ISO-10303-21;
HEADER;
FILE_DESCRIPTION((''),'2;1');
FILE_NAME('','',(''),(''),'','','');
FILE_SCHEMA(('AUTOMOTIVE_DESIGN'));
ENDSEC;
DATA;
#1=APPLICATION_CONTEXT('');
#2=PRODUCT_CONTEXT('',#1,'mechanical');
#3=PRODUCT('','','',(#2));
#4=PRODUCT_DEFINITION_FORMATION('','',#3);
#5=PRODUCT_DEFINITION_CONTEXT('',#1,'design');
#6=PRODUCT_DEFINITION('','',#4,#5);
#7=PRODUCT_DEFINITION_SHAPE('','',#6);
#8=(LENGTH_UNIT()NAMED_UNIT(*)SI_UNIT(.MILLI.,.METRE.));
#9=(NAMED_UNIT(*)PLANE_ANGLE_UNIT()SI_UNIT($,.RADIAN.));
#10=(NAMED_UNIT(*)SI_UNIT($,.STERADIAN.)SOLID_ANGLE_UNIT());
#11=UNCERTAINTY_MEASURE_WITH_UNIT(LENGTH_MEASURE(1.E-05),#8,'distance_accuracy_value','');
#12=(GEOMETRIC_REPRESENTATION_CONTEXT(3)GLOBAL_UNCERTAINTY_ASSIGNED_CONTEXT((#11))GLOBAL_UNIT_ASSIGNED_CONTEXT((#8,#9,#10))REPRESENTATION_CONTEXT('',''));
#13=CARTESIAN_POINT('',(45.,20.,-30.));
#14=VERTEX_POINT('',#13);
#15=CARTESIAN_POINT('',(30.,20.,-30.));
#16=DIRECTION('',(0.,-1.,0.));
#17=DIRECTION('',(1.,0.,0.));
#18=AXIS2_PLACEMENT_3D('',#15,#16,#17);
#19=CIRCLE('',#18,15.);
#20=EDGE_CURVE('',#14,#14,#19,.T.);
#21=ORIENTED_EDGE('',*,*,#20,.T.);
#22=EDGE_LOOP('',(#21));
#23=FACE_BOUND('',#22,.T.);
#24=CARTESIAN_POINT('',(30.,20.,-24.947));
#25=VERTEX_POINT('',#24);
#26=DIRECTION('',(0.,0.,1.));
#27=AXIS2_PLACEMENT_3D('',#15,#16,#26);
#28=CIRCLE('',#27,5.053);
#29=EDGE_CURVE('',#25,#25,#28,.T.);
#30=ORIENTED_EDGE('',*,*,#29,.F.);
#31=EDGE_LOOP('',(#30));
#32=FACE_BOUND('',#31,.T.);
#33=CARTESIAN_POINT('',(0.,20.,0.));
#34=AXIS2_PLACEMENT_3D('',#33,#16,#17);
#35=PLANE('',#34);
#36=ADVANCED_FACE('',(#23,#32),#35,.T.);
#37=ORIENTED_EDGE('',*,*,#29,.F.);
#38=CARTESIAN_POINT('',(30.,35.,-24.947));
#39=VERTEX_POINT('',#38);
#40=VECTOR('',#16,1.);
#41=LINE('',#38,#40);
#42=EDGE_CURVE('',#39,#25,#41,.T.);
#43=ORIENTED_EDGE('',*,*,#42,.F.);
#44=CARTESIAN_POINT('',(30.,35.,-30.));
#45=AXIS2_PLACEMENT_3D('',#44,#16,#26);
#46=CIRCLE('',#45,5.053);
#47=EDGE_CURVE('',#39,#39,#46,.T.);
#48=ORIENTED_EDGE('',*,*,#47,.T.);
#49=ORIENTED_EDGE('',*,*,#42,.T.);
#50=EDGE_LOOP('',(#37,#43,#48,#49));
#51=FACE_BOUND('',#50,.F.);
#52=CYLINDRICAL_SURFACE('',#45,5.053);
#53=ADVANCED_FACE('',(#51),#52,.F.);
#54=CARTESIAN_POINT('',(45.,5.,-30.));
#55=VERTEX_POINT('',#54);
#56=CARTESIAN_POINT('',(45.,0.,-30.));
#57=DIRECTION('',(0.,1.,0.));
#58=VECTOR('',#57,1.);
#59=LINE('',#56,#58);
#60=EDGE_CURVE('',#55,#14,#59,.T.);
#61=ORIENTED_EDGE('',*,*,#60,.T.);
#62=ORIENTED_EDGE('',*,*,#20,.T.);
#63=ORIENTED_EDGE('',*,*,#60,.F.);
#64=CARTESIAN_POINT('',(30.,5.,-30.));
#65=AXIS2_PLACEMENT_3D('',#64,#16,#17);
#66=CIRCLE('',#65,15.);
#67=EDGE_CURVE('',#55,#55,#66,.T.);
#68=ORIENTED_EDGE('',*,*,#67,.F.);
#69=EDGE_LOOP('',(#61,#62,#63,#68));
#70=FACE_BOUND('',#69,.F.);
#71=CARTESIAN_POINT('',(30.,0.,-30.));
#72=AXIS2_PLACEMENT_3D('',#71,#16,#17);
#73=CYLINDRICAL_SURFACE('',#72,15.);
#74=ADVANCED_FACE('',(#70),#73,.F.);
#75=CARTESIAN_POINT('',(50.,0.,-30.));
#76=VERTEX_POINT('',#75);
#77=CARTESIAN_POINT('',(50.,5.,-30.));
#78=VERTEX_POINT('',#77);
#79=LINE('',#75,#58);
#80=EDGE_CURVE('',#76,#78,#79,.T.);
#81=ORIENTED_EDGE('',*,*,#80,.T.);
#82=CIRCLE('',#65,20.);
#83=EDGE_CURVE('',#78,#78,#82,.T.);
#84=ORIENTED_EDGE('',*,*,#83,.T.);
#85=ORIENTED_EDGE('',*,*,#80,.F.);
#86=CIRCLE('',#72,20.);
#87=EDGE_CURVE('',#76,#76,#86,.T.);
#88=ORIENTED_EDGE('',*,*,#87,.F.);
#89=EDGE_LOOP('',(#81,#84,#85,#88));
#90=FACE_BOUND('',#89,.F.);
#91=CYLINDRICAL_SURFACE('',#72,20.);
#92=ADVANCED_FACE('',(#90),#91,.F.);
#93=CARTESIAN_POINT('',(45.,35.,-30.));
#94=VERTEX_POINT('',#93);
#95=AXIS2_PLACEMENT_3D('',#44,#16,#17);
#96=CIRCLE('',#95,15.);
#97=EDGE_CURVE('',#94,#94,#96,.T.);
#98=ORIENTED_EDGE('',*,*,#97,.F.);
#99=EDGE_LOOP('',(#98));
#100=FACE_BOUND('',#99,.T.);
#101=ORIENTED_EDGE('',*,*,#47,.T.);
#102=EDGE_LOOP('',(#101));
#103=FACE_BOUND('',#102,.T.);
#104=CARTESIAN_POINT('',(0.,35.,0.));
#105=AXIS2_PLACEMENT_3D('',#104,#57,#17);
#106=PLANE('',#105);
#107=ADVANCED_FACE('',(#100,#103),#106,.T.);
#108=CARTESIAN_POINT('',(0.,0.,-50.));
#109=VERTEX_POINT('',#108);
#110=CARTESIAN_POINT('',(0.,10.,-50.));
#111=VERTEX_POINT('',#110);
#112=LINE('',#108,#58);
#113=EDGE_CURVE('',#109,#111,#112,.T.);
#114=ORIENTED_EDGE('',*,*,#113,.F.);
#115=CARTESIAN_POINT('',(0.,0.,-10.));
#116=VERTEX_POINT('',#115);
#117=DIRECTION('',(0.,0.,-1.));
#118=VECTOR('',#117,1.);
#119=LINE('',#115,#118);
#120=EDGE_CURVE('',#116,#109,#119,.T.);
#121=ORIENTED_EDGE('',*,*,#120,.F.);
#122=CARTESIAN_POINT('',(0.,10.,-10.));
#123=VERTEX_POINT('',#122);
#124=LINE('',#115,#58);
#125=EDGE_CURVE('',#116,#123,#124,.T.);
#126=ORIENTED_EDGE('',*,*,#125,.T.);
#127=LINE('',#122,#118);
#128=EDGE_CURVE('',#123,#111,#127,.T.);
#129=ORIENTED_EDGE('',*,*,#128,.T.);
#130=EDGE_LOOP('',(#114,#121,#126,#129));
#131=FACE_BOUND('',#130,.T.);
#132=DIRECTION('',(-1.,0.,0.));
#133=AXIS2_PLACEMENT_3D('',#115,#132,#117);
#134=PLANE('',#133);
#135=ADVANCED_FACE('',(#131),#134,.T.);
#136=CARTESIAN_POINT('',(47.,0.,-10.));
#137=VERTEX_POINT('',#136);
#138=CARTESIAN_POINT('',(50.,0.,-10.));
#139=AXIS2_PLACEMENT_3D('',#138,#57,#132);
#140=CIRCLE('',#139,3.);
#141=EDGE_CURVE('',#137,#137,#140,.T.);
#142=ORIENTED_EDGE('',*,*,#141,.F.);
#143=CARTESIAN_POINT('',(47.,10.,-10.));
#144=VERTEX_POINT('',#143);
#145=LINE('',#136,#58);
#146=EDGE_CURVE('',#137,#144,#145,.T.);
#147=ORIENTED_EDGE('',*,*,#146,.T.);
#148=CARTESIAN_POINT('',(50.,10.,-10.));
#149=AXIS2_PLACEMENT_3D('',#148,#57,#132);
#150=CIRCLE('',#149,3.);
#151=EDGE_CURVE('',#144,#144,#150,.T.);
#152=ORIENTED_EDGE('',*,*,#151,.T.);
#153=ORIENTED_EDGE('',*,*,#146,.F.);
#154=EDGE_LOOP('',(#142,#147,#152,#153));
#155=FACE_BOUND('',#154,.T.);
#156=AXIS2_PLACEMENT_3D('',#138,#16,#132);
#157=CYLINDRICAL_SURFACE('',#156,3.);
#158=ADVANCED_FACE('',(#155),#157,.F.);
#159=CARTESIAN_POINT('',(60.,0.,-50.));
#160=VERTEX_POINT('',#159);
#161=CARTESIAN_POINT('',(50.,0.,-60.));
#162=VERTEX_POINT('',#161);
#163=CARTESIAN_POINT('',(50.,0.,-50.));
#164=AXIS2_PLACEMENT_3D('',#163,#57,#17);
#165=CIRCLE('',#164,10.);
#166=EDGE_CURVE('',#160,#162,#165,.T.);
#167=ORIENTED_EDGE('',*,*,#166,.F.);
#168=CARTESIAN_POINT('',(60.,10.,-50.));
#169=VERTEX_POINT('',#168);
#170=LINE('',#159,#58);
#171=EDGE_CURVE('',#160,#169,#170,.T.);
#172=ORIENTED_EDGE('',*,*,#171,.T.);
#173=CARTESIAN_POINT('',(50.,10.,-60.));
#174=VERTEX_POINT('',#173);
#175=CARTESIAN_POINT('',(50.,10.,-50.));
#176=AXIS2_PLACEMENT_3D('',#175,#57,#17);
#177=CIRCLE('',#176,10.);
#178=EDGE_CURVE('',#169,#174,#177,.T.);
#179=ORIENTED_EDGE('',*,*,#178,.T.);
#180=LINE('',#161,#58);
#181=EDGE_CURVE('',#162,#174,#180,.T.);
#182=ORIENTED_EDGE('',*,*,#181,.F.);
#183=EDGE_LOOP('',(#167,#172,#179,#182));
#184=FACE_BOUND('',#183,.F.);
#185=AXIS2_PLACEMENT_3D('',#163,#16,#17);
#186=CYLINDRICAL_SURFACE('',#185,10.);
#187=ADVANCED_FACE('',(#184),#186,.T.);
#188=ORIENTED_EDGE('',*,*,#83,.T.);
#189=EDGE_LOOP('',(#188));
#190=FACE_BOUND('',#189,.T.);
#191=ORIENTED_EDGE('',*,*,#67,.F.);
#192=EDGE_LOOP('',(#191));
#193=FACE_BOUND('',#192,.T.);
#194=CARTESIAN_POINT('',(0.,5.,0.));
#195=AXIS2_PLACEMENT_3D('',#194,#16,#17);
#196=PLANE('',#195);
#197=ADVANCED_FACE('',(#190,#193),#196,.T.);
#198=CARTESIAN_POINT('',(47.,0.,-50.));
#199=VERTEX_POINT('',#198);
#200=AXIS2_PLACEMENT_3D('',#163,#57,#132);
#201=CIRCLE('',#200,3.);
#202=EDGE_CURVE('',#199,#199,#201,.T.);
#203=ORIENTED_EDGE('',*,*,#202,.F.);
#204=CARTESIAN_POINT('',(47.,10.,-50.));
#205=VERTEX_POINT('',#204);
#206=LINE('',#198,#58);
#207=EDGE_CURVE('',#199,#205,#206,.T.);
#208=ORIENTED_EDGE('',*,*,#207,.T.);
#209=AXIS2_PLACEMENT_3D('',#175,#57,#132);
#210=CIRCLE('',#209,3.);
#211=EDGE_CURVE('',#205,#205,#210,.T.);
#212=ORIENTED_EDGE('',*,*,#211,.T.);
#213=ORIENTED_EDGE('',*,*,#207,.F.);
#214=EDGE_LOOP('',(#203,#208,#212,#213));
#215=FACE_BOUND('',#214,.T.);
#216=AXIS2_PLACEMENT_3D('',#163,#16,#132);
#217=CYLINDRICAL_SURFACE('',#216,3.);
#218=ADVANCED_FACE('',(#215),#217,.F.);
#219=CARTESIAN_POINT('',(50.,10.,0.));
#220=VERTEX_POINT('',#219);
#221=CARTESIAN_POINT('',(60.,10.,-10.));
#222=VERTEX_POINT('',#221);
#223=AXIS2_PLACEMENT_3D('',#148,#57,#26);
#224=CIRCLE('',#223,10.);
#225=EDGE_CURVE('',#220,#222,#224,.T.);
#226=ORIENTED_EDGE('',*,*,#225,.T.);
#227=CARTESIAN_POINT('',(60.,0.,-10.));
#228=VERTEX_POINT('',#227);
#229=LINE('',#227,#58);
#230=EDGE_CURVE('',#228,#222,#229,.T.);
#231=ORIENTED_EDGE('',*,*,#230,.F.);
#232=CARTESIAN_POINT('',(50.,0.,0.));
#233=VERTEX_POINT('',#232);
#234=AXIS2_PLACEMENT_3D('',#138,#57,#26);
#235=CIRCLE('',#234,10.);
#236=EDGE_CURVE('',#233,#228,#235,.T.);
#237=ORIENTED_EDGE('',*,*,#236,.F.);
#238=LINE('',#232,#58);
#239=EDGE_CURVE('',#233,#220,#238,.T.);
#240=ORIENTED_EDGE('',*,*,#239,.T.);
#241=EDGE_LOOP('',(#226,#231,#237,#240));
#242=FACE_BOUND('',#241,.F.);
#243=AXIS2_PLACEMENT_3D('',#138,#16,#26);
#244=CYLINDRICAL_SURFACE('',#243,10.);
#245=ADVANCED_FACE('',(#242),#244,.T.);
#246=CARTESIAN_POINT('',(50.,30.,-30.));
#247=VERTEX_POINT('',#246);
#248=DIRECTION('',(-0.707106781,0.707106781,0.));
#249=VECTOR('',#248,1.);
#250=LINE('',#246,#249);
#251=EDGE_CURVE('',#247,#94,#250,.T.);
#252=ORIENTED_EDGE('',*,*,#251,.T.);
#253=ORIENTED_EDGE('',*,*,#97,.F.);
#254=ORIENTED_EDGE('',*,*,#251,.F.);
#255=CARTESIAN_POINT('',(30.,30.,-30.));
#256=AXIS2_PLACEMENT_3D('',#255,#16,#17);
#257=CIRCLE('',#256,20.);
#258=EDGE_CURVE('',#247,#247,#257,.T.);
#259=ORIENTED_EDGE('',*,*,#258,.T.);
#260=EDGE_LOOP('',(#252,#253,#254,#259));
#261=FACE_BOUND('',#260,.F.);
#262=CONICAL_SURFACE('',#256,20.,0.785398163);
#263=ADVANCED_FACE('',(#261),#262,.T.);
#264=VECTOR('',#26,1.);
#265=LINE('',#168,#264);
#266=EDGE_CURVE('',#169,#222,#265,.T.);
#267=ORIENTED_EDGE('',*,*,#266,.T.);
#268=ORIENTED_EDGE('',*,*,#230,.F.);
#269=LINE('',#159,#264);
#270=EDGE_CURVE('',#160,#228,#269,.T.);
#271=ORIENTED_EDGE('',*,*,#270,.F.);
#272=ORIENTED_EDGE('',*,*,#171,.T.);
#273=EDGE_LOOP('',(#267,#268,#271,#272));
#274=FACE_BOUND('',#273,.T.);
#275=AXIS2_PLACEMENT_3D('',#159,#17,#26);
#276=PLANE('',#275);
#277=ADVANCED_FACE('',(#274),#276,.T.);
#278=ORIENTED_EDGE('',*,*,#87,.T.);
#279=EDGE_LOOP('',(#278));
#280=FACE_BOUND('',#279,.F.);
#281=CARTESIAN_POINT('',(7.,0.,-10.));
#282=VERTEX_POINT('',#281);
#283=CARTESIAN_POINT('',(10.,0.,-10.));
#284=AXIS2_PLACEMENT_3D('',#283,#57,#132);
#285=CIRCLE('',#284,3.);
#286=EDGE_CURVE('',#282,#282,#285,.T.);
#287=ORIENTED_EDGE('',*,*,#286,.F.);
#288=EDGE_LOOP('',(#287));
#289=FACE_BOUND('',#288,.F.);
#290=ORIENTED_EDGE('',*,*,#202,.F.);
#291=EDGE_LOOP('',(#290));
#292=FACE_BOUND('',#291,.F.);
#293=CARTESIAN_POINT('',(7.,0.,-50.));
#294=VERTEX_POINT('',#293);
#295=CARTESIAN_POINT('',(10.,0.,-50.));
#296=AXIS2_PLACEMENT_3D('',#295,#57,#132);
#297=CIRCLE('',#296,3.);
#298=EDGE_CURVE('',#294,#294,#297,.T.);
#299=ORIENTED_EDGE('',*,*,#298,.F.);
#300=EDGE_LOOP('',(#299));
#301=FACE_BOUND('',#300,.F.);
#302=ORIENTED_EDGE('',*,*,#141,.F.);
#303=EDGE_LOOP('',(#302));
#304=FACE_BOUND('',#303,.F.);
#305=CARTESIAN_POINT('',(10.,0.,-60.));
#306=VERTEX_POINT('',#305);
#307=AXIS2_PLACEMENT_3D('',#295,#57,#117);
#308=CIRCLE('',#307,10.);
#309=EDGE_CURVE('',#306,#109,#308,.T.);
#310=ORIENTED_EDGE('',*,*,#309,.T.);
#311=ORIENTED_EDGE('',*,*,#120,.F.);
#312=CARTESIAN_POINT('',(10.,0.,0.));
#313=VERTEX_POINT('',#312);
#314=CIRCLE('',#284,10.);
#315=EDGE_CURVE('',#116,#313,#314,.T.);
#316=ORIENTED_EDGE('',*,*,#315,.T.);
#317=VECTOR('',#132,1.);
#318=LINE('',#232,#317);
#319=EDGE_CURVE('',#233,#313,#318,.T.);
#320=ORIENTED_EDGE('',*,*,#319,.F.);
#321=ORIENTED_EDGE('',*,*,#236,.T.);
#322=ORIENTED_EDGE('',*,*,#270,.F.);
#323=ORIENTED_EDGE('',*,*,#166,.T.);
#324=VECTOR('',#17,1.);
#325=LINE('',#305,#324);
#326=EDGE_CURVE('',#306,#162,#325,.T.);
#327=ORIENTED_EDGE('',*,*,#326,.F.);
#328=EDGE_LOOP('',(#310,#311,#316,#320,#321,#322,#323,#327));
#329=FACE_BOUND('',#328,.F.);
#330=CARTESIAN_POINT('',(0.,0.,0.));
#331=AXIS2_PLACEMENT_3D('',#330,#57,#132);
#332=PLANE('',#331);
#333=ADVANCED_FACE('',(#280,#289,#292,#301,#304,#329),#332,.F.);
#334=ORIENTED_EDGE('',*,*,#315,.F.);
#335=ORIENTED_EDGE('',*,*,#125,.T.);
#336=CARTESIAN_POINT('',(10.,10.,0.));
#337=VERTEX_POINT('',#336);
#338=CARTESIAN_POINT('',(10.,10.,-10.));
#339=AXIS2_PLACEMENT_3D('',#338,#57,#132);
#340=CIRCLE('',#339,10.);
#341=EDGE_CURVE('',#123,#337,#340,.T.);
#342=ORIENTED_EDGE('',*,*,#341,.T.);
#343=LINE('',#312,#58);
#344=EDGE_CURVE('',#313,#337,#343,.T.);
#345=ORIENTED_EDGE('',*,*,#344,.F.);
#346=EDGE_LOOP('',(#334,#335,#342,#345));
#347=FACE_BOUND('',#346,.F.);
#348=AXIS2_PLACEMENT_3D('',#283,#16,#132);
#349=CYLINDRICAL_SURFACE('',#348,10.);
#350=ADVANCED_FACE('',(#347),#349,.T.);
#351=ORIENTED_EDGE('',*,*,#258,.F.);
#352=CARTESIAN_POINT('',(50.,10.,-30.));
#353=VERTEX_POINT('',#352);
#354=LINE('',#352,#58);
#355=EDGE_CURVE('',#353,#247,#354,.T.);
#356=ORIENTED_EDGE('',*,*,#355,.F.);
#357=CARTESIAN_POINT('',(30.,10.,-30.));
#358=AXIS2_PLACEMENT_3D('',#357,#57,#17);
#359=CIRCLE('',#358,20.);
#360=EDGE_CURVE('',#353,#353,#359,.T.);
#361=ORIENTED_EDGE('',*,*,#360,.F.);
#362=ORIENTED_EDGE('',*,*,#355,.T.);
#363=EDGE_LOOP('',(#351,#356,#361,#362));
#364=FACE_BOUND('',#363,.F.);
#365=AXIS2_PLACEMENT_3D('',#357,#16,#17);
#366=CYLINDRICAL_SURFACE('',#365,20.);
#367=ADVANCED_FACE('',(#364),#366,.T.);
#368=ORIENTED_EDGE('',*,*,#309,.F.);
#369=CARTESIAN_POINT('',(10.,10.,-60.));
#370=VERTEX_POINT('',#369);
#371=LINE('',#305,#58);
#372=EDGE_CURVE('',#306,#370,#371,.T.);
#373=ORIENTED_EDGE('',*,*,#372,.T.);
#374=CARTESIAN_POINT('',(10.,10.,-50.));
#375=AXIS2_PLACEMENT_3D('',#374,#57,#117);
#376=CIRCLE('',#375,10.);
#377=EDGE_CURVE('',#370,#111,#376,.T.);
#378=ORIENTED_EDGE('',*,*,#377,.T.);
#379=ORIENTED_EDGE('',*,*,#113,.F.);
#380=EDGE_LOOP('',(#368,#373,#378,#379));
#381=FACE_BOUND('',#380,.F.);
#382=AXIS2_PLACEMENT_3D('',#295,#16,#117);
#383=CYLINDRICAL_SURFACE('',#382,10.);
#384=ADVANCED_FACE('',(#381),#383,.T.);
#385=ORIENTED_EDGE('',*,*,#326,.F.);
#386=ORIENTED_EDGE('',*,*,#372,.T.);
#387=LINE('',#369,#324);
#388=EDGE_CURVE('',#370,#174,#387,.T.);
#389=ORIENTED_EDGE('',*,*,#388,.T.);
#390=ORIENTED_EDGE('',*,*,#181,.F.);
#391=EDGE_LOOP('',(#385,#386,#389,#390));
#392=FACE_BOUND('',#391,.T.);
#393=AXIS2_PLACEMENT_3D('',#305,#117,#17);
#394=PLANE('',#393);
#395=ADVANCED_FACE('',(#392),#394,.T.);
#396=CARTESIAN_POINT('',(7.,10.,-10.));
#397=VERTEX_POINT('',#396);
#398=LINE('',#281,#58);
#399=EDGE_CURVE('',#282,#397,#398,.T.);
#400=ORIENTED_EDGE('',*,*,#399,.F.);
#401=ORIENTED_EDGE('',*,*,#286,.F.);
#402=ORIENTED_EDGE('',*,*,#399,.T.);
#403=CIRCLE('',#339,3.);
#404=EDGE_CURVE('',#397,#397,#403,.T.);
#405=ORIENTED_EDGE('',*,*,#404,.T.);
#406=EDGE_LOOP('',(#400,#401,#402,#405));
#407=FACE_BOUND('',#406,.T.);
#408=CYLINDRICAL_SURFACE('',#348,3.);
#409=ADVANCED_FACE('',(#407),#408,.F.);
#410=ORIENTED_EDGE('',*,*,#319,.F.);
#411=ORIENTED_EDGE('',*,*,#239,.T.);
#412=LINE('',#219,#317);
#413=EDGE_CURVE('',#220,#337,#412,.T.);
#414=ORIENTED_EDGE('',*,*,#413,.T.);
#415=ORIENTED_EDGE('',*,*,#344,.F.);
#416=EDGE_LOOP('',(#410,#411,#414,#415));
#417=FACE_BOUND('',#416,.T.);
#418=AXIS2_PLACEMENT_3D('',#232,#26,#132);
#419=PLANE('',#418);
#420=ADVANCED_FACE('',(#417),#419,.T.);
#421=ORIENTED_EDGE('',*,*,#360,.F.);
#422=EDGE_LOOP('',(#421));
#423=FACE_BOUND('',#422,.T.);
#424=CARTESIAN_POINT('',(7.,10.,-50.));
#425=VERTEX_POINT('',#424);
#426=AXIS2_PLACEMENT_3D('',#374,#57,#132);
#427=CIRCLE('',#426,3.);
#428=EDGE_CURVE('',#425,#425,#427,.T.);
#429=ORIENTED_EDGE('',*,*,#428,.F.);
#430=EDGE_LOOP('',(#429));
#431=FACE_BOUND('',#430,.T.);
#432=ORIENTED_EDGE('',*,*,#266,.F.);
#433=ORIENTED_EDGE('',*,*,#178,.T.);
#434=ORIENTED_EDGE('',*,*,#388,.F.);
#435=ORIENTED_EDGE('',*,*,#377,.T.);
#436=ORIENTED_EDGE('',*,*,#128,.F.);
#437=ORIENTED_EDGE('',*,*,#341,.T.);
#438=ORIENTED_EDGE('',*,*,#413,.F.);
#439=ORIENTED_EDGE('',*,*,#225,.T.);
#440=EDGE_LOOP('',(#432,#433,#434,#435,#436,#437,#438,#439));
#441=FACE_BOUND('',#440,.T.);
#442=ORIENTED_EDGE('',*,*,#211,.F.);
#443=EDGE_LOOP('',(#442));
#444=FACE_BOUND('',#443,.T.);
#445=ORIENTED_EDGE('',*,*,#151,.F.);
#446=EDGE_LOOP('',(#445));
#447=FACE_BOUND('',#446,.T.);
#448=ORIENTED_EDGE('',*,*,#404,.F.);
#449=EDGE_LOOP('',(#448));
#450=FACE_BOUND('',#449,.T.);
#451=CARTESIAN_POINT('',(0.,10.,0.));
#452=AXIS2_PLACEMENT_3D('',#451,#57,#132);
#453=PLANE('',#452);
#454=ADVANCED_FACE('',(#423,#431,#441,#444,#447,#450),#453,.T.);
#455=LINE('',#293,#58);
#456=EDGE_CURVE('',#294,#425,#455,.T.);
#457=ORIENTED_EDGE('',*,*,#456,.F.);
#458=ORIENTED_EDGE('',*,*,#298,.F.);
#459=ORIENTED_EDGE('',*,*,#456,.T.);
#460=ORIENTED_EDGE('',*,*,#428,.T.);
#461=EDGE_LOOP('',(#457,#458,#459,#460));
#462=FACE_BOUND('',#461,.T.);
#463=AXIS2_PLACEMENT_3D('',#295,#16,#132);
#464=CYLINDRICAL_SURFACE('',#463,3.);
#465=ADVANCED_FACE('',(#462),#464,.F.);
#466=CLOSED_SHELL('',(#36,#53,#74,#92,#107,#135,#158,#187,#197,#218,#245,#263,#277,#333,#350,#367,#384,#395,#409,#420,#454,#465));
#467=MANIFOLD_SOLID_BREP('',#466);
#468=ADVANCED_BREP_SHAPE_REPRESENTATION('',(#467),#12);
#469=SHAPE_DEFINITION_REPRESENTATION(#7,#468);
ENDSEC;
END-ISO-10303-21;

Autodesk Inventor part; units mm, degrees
ref_plane "YZ Plane" through (0, 0, 0) normal (1, 0, 0) x (0, 1, 0)
ref_plane "XZ Plane" through (0, 0, 0) normal (0, 1, 0) x (-1, 0, 0)
ref_plane "XY Plane" through (0, 0, 0) normal (0, 0, 1) x (1, 0, 0)
sketch "Sketch1" plane through (0, 0, 0) normal (0, 1, 0) x (-1, 0, 0)
  line L0 (-10, -60) -> (-50, -60)
  line L1 (-60, -50) -> (-60, -10)
  line L2 (-50, 0) -> (-10, 0)
  line L3 (0, -10) -> (0, -50)
  arc A0 (-60, -50) -> (-50, -60) centre (-50, -50) ccw
  arc A1 (-10, -60) -> (0, -50) centre (-10, -50) ccw
  arc A2 (0, -10) -> (-10, 0) centre (-10, -10) ccw
  arc A3 (-50, 0) -> (-60, -10) centre (-50, -10) ccw
  circle A4 centre (-10, -50) radius 3
  circle A5 centre (-50, -50) radius 3
  circle A6 centre (-10, -10) radius 3
  circle A7 centre (-50, -10) radius 3
  point P0 (0, 0)
  point P1 (0, 0)
  point P2 (-30, 0)
  dimension "d0" = 60
  dimension "d1" = 60
  dimension "d2" = 10
  dimension "d3" = 6
extrude "Extrusion1" add sketch "Sketch1" along normal blind 10
sketch "Sketch2" plane through (0, 10, 0) normal (0, 1, 0) x (1, 0, 0)
  line L0 (0, 50) -> (0, 10) projected
  line L1 (0, 30) -> (60, 30)
  line L2 (60, 10) -> (60, 50) projected
  line L3 (30, 60) -> (30, 0)
  line L4 (10, 0) -> (50, 0) projected
  line L5 (50, 60) -> (10, 60) projected
  circle A0 centre (30, 30) radius 20
  point P0 (0, 0)
  point P1 (30, 0)
  dimension "d6" = 40
extrude "Extrusion2" add sketch "Sketch2" along normal blind 25
chamfer "Chamfer1" distance 5 angle 45 1 edges at (10, 35, -30)
sketch "Sketch3" plane through (0, 0, 0) normal (0, -1, 0) x (1, 0, 0)
  circle A0 centre (30, -30) radius 15 projected
  point P0 (0, 0)
extrude "Extrusion3" cut sketch "Sketch3" against normal blind 20
sketch "Sketch4" plane through (0, 0, 0) normal (0, -1, 0) x (1, 0, 0)
  circle A0 centre (30, -30) radius 20 projected
  point P0 (0, 0)
extrude "Extrusion4" cut sketch "Sketch4" against normal blind 5
sketch "Sketch5" plane through (30, 35, -30) normal (0, 1, 0) x (1, 0, 0)
  circle A0 centre (0, 0) radius 6
  circle A1 centre (0, 0) radius 15 projected
  point P0 (-30, -30)
  dimension "d16" = 12
hole "Hole1" at (30, 35, -30) direction (0, -1, 0) diameter 10.106 end through all thread size "M12x1.75" class "6H" standard "ISO Metric profile"
properties part number "Valve Bonnet"
